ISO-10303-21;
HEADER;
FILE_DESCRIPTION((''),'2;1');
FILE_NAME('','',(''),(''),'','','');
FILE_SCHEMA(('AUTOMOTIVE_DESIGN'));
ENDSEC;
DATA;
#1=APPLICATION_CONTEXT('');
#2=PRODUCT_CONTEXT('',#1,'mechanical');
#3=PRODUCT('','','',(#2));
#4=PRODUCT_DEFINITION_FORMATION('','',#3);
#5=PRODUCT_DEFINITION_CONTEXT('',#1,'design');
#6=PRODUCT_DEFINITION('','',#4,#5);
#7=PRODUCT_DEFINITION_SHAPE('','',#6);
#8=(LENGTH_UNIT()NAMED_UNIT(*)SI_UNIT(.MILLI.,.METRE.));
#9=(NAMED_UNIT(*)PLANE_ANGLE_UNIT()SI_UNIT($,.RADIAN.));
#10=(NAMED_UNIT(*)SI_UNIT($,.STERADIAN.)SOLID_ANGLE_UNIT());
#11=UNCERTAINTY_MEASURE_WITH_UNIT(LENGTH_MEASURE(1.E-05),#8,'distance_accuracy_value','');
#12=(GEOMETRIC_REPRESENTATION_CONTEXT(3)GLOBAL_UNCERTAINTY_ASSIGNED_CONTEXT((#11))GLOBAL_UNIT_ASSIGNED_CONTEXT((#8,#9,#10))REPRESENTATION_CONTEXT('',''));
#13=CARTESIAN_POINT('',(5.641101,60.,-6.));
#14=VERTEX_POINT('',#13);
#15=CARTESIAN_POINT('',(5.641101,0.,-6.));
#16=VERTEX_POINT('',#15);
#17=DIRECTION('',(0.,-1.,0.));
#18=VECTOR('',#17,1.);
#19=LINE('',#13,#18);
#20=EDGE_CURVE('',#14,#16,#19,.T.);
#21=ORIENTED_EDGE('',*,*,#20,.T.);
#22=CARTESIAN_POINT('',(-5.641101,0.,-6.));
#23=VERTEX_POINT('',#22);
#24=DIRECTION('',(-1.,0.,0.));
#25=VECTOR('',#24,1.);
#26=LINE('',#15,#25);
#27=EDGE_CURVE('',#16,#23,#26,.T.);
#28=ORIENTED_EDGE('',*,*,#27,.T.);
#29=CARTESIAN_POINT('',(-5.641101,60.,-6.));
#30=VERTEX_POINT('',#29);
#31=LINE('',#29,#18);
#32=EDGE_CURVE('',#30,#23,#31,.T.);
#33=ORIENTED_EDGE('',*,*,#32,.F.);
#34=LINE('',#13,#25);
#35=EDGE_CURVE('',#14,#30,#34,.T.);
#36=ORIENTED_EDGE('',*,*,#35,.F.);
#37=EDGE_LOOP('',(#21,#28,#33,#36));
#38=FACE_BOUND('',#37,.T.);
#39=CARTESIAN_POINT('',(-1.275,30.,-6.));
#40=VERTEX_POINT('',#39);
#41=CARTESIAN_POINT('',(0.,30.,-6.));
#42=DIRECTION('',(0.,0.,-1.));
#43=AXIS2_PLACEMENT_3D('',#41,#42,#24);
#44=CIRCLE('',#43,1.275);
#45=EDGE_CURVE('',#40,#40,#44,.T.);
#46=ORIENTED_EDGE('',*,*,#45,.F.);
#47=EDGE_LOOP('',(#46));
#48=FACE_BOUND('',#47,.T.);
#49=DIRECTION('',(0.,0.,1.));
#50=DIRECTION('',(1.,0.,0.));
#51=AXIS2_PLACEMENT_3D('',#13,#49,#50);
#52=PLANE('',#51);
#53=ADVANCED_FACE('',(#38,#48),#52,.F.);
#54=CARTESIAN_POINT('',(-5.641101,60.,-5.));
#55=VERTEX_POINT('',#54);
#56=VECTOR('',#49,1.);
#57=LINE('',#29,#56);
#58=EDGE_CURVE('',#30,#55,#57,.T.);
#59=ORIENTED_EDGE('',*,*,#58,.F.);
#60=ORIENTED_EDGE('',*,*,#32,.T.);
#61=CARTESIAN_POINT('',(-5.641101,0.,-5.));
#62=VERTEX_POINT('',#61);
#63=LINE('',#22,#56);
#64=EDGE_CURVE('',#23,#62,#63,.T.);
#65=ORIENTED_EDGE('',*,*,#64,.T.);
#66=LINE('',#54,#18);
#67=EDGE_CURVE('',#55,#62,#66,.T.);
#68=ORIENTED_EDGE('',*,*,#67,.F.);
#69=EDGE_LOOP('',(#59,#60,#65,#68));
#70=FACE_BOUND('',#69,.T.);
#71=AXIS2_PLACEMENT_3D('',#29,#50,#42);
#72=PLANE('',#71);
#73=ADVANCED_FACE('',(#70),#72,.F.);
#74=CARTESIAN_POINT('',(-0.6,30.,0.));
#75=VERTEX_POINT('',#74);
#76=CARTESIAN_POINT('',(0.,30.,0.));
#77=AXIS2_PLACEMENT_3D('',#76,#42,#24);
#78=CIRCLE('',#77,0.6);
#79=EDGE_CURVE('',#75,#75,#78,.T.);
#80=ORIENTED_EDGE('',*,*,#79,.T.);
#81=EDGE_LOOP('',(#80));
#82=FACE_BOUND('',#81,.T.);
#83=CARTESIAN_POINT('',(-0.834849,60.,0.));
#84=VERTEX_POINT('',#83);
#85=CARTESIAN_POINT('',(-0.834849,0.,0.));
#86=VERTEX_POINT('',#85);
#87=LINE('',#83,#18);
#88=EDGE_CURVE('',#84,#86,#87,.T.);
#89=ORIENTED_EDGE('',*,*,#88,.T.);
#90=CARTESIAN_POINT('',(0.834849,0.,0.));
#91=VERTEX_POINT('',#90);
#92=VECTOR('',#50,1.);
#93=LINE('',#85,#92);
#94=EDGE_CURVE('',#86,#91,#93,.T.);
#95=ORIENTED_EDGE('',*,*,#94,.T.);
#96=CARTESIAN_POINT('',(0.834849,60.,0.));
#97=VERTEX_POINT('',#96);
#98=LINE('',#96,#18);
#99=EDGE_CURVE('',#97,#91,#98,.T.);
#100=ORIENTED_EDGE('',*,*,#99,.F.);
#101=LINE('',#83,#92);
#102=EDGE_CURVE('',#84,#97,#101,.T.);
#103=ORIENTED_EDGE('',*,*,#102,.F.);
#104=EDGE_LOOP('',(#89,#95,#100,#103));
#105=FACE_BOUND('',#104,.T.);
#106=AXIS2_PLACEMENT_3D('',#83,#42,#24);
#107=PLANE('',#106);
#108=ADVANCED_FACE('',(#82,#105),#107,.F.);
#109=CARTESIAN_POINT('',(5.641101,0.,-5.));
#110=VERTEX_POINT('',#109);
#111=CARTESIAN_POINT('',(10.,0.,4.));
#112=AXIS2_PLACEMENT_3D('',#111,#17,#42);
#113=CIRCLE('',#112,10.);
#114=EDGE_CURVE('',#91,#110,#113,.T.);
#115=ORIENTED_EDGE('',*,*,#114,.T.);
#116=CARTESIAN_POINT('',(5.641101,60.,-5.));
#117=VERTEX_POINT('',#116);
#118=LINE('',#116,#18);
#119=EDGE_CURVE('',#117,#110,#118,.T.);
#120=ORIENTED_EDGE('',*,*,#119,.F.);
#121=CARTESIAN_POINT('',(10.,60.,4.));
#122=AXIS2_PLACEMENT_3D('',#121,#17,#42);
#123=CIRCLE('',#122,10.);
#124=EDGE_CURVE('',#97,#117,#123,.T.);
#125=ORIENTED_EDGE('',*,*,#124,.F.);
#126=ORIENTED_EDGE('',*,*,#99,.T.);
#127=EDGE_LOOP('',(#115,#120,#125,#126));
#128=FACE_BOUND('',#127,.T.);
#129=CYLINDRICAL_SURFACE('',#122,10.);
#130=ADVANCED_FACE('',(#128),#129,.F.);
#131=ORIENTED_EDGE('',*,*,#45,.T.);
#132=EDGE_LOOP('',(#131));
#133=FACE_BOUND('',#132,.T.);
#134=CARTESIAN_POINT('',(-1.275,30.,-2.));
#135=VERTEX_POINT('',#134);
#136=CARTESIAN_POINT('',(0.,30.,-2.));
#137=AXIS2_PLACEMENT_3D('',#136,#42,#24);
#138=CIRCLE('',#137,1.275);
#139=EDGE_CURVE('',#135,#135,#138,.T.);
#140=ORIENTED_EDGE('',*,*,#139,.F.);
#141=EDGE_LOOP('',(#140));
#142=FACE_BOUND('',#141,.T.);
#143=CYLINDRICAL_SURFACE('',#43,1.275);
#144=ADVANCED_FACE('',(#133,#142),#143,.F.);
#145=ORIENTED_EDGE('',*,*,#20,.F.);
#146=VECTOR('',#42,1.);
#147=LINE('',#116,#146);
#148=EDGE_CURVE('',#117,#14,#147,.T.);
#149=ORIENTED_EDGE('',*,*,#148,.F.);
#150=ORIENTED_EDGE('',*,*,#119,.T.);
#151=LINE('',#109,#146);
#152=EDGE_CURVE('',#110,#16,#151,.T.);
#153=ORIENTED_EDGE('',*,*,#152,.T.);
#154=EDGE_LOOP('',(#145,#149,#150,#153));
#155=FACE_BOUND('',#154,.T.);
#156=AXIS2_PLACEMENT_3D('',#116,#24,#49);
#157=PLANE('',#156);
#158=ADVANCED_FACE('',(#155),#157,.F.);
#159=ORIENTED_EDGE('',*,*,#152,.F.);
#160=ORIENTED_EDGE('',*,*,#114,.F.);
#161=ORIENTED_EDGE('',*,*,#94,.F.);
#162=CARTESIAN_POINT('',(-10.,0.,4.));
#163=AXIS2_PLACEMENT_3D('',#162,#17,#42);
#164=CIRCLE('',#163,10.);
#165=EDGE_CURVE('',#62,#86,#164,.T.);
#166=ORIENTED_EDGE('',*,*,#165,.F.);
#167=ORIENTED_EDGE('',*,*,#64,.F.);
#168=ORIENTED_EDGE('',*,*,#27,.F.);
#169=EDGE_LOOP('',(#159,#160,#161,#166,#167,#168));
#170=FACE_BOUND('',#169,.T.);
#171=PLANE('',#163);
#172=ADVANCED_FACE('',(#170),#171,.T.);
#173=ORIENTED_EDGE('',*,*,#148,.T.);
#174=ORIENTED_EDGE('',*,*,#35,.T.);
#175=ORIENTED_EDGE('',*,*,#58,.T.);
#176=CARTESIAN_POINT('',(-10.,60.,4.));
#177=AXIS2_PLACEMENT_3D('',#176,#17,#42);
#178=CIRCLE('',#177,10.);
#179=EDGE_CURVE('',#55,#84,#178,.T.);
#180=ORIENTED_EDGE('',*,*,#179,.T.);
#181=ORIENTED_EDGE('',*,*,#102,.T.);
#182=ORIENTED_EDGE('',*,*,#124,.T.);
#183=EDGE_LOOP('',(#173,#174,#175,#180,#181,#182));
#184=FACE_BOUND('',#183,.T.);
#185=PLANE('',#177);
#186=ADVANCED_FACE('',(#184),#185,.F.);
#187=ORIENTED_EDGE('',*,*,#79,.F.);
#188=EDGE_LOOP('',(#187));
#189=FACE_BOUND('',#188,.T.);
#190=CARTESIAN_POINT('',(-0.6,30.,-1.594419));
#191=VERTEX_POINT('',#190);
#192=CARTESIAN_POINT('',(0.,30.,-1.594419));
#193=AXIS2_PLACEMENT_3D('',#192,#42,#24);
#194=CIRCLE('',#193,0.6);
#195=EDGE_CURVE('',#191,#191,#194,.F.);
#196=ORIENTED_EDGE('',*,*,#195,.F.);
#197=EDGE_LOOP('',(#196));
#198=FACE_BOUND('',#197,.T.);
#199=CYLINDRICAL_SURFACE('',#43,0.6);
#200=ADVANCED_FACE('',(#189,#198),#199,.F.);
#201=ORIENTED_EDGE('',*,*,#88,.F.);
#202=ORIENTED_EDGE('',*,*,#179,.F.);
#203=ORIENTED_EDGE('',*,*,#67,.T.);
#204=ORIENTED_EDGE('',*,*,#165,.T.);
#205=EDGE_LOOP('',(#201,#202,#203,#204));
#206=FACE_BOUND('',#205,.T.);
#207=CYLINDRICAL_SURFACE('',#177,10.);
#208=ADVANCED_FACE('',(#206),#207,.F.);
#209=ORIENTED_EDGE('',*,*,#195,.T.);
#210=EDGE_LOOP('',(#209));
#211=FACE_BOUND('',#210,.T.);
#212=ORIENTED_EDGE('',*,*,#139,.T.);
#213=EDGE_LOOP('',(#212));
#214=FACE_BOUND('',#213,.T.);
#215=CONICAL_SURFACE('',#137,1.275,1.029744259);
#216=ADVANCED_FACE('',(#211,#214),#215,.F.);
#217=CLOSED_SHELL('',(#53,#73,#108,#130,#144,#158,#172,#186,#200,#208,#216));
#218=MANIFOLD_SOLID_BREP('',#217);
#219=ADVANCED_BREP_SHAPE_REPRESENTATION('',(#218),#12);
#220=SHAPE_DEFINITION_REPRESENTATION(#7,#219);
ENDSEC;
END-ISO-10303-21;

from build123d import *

# Parameters (mm, degrees)
BOSS_EXTRUDE1_DEPTH                       = 60
TAPPED_HOLE_FOR_M2_5X0_45_HELICOIL1_D     = 2.55
TAPPED_HOLE_FOR_M2_5X0_45_HELICOIL1_DEPTH = 4
TAPPED_HOLE_FOR_M2_5X0_45_HELICOIL1_TIP   = 0.766097289
F_1_2_1_2_DIAMETER_HOLE1_D                = 1.2
F_1_2_1_2_DIAMETER_HOLE1_DEPTH            = 6.45
F_1_2_1_2_DIAMETER_HOLE1_TIP              = 0.360516371


with BuildPart() as part:
    # Sketch1 → Boss-Extrude1 (new body)
    with BuildSketch(Plane(origin=(0, 0, 0), x_dir=(1, 0, 0), z_dir=(0, 1, 0))):
        with BuildLine():
            Line((-0.83484861, 0), (0.83484861, 0))
            ThreePointArc((0.83484861, 0), (2.790632181, 2.930008344), (5.641101056, 5))
            Line((5.641101056, 5), (5.641101056, 6))
            Line((5.641101056, 6), (-5.641101056, 6))
            Line((-5.641101056, 6), (-5.641101056, 5))
            ThreePointArc((-5.641101056, 5), (-2.790632181, 2.930008344), (-0.83484861, 0))
        make_face()
    extrude(amount=BOSS_EXTRUDE1_DEPTH)

    # Tapped Hole for M2.5x0.45 Helicoil1
    with Locations(Plane(origin=(0, 30, -6), x_dir=(-1, 0, 0), z_dir=(0, 0, -1))):
        with Locations((0, 0)):
            Hole(TAPPED_HOLE_FOR_M2_5X0_45_HELICOIL1_D / 2, depth=TAPPED_HOLE_FOR_M2_5X0_45_HELICOIL1_DEPTH)
            with Locations((0, 0, -(TAPPED_HOLE_FOR_M2_5X0_45_HELICOIL1_DEPTH + TAPPED_HOLE_FOR_M2_5X0_45_HELICOIL1_TIP / 2))):  # 118° drill point
                Cone(0, TAPPED_HOLE_FOR_M2_5X0_45_HELICOIL1_D / 2, TAPPED_HOLE_FOR_M2_5X0_45_HELICOIL1_TIP, mode=Mode.SUBTRACT)

    # Ø1.2 (1.2) Diameter Hole1
    with Locations(Plane(origin=(0, 30, -6), x_dir=(-1, 0, 0), z_dir=(0, 0, -1))):
        with Locations((0, 0)):
            Hole(F_1_2_1_2_DIAMETER_HOLE1_D / 2, depth=F_1_2_1_2_DIAMETER_HOLE1_DEPTH)
            with Locations((0, 0, -(F_1_2_1_2_DIAMETER_HOLE1_DEPTH + F_1_2_1_2_DIAMETER_HOLE1_TIP / 2))):  # 118° drill point
                Cone(0, F_1_2_1_2_DIAMETER_HOLE1_D / 2, F_1_2_1_2_DIAMETER_HOLE1_TIP, mode=Mode.SUBTRACT)


solid = part.part
